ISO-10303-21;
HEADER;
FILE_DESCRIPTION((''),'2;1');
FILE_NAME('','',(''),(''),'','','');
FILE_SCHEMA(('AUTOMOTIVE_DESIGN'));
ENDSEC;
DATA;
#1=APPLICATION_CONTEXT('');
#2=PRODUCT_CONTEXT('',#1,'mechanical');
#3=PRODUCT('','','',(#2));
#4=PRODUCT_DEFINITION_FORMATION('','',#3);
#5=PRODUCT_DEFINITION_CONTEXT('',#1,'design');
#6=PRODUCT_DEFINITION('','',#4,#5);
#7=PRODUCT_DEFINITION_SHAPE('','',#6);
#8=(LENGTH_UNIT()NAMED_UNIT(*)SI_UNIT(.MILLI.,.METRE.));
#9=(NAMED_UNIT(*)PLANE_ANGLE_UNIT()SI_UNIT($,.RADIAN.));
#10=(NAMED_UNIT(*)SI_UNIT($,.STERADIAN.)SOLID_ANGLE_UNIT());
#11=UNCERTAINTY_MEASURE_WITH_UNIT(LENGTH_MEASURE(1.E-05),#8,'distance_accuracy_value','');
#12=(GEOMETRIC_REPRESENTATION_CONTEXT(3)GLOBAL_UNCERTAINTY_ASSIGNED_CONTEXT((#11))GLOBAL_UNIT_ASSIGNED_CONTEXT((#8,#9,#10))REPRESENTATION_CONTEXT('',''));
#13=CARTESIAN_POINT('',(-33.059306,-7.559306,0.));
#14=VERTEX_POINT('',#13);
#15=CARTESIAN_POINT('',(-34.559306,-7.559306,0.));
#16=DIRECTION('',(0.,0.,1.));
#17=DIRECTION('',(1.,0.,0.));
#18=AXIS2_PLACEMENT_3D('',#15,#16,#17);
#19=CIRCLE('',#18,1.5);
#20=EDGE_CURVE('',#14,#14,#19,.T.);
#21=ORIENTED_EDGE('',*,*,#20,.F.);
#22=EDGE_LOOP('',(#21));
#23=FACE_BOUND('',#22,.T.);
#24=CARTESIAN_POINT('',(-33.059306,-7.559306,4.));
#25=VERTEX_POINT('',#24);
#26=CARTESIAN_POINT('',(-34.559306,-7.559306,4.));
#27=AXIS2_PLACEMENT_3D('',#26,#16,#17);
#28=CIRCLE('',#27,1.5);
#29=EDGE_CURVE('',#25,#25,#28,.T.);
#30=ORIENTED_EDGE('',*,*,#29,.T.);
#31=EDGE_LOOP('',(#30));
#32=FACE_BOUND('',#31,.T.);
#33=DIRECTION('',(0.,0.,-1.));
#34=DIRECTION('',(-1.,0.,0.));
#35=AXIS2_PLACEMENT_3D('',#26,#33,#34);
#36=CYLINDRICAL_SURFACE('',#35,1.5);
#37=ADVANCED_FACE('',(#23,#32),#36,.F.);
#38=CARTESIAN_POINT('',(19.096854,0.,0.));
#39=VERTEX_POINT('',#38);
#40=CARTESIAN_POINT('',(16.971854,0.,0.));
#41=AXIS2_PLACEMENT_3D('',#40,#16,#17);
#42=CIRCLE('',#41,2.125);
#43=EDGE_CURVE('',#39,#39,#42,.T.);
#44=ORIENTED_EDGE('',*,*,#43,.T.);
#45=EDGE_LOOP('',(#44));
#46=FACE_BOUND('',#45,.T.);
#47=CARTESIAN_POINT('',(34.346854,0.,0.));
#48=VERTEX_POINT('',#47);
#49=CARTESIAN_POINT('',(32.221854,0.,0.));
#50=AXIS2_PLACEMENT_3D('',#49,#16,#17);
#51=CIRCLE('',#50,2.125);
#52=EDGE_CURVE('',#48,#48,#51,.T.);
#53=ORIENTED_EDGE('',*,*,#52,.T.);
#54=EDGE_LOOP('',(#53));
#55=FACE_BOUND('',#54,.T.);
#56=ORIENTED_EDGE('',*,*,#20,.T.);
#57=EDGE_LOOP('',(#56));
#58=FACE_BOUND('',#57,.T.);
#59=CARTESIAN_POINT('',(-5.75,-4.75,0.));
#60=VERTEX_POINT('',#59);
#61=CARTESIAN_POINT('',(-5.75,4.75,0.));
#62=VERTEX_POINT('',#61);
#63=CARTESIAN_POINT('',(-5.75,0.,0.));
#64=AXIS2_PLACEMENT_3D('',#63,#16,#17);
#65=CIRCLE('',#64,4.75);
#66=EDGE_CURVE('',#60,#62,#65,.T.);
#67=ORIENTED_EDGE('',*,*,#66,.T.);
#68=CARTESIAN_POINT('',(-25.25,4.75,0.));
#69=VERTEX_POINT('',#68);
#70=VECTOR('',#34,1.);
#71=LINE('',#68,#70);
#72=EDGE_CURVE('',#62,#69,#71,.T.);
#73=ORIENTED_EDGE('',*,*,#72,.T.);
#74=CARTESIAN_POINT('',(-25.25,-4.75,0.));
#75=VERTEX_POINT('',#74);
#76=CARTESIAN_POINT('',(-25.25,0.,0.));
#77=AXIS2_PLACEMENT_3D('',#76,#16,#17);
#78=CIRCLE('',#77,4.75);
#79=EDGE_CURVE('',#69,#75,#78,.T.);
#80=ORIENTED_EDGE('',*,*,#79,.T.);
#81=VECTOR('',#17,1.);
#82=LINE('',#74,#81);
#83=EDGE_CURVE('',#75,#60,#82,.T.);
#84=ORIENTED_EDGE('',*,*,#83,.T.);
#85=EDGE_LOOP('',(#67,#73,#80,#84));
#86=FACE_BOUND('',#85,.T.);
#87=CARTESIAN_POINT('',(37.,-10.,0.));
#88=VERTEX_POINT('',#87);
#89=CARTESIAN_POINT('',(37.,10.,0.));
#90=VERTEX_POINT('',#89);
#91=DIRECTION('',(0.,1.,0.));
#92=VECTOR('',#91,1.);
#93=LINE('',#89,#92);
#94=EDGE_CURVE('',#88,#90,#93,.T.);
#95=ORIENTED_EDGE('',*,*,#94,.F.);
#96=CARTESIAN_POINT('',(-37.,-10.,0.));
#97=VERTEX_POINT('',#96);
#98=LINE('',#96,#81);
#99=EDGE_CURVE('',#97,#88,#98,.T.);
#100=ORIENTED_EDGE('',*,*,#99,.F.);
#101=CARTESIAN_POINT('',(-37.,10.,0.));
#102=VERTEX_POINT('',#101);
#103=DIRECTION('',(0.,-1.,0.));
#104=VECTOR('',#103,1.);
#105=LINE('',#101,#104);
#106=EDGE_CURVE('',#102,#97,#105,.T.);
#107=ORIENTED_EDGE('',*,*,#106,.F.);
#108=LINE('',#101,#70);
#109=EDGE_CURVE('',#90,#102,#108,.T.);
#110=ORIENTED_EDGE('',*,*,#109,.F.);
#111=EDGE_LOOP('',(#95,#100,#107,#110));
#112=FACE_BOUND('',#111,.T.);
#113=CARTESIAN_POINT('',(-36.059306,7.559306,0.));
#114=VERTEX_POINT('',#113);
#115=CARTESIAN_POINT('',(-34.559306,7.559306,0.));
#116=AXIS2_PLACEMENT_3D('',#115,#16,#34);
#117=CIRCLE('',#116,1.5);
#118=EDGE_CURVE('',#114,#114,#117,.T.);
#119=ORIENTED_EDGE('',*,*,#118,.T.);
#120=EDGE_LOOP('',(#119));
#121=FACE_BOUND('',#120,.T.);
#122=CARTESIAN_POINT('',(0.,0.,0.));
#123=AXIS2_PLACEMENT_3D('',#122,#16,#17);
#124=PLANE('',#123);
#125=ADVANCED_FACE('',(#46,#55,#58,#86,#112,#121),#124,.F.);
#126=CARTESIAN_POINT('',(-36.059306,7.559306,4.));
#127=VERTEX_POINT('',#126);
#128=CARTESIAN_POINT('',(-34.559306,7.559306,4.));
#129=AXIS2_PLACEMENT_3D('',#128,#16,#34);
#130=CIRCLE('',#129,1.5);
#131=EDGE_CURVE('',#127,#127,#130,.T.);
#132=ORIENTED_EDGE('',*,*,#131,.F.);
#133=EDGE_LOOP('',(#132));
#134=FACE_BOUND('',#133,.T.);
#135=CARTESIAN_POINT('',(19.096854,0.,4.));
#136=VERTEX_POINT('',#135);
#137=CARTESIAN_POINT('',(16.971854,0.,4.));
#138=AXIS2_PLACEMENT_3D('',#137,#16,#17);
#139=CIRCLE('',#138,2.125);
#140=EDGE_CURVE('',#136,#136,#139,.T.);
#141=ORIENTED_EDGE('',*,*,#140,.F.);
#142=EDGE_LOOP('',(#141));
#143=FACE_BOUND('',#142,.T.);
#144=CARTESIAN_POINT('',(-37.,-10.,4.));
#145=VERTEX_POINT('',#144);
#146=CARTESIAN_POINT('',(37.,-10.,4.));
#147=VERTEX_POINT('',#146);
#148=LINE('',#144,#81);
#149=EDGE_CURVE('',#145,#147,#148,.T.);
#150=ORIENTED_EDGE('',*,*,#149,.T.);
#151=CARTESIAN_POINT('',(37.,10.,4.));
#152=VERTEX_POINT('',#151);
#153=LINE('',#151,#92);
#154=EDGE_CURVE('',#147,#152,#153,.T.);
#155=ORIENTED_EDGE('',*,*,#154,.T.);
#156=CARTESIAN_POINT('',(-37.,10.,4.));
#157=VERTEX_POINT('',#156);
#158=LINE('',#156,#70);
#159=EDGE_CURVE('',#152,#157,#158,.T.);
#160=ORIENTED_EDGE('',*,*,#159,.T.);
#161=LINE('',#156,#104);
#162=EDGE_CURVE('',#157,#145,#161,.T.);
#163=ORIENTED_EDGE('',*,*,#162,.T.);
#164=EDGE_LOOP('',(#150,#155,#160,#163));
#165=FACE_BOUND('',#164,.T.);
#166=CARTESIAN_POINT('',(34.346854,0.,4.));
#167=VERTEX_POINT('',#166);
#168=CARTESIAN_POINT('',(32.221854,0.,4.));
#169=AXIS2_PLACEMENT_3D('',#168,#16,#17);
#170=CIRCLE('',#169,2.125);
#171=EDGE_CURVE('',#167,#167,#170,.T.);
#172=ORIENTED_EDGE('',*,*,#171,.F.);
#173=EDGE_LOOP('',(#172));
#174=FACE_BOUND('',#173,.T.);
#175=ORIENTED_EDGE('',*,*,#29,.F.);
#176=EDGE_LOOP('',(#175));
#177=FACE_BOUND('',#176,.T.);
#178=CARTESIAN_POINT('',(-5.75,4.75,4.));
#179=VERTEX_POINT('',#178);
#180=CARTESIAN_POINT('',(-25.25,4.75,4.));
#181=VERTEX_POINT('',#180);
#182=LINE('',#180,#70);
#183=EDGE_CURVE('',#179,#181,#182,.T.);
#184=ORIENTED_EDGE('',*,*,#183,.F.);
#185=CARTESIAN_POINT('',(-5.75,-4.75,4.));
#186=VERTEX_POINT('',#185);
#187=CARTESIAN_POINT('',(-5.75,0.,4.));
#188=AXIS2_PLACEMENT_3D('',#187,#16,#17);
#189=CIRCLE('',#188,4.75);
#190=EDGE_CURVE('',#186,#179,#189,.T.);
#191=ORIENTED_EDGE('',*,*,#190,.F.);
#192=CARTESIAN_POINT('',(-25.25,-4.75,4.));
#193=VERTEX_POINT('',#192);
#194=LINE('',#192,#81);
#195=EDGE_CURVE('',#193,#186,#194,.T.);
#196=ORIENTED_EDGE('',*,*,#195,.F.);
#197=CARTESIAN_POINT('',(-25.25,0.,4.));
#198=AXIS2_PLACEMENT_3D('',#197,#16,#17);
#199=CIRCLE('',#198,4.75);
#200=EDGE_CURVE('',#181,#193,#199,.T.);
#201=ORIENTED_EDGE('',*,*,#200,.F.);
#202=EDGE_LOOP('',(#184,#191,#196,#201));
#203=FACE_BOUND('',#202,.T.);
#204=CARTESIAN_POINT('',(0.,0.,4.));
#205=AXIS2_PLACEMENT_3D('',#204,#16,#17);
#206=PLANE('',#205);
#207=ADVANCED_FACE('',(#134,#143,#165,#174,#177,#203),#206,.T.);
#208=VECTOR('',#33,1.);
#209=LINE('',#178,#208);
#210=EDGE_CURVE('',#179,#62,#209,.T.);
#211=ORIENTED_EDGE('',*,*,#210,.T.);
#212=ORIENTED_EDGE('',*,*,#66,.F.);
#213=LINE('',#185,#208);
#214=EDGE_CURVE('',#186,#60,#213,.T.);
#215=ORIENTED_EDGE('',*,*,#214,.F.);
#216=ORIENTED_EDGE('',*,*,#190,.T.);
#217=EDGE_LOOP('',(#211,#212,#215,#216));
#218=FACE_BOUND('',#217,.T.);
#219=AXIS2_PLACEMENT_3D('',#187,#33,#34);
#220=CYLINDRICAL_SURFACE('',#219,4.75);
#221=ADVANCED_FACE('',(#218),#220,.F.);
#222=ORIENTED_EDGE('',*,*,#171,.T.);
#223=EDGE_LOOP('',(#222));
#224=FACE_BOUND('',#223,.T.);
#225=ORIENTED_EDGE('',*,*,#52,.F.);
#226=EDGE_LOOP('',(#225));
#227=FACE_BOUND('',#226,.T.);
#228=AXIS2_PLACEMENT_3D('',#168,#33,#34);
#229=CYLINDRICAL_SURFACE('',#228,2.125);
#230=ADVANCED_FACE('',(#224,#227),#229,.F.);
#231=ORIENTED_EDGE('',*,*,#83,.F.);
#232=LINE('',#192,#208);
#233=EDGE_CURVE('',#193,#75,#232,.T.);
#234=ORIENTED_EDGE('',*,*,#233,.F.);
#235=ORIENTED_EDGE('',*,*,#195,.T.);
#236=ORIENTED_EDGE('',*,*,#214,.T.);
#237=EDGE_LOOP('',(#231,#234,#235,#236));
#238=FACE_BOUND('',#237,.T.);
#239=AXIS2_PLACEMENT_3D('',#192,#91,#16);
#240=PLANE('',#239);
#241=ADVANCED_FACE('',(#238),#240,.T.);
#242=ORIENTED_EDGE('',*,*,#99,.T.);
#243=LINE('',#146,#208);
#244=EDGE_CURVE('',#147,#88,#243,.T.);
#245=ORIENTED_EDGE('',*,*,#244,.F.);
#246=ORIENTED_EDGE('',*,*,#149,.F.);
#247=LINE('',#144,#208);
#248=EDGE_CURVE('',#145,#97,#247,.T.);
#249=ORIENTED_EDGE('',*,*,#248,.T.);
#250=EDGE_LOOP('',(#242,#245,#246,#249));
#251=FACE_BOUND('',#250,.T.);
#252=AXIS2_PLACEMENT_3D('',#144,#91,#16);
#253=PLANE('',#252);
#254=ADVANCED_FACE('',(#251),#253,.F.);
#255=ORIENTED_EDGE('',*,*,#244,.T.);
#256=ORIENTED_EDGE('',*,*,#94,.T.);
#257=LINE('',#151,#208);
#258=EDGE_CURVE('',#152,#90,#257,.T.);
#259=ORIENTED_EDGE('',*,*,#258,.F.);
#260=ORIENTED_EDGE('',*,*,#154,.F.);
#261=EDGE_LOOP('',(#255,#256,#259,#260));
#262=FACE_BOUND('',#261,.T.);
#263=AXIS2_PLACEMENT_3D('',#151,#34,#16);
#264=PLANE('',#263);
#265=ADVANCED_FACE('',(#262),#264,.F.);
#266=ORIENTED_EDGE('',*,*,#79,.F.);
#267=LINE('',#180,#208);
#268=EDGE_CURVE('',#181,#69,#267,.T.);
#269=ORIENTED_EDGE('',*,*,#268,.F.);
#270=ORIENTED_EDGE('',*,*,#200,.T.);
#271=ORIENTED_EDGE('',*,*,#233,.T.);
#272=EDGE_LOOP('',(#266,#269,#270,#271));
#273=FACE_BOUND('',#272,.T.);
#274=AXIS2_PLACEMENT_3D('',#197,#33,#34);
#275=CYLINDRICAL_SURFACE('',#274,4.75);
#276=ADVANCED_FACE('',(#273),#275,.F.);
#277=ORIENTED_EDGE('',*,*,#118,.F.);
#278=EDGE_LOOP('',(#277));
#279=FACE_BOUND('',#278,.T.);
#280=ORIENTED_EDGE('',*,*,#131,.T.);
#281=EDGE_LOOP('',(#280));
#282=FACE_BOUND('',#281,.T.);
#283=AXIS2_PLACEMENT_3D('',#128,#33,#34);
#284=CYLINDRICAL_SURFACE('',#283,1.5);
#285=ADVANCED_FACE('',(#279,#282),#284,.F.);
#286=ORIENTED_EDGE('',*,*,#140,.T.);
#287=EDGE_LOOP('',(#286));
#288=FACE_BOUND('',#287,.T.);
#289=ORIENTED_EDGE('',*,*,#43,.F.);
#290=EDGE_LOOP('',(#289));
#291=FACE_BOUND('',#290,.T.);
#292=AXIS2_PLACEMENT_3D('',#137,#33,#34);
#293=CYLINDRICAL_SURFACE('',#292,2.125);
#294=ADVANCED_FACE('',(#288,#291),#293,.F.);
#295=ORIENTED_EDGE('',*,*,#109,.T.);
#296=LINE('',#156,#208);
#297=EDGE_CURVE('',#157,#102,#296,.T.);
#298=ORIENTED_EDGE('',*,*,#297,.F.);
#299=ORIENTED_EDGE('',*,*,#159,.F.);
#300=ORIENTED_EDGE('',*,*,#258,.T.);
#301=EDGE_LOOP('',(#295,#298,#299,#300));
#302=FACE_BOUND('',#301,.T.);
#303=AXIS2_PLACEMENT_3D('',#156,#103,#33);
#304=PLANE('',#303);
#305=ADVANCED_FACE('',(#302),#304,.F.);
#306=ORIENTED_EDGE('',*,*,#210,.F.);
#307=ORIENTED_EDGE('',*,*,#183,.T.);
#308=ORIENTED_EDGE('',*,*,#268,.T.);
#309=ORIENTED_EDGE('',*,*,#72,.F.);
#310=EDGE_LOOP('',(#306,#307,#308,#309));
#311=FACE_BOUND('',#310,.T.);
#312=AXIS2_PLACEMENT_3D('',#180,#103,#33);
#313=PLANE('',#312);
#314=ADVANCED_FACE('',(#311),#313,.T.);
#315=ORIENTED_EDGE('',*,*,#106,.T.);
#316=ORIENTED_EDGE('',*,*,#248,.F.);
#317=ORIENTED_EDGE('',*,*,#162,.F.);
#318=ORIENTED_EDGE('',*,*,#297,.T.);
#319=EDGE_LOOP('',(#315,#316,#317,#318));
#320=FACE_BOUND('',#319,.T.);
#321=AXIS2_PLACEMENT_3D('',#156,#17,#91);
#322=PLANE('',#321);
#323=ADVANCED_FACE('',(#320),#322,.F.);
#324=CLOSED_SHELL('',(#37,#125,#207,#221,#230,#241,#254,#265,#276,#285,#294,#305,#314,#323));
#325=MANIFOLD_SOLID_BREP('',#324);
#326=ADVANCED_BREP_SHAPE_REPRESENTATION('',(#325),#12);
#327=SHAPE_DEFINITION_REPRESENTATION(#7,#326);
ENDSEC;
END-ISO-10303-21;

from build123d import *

# Parameters (mm, degrees)
SKETCH1_W           = 74
SKETCH1_H           = 20
SKETCH1_R           = 2.125
SKETCH1_R_2         = 1.5
BOSS_EXTRUDE1_DEPTH = 4


with BuildPart() as part:
    # Sketch1 → Boss-Extrude1 (new body)
    with BuildSketch(Plane.XY):
        Rectangle(SKETCH1_W, SKETCH1_H)
        with Locations((32.221854305, 0)):
            Circle(SKETCH1_R, mode=Mode.SUBTRACT)
        with Locations((16.971854305, 0)):
            Circle(SKETCH1_R, mode=Mode.SUBTRACT)
        with Locations((-34.559305938, -7.559305938)):
            Circle(SKETCH1_R_2, mode=Mode.SUBTRACT)
        with Locations(Location((-34.559305938, 7.559305938, 0), (0, 0, 180))):
            Circle(SKETCH1_R_2, mode=Mode.SUBTRACT)
        with BuildLine():
            Line((-25.25, 4.75), (-5.75, 4.75))
            ThreePointArc((-5.75, 4.75), (-1, 0), (-5.75, -4.75))
            Line((-5.75, -4.75), (-25.25, -4.75))
            ThreePointArc((-25.25, -4.75), (-30, 0), (-25.25, 4.75))
        make_face(mode=Mode.SUBTRACT)
    extrude(amount=BOSS_EXTRUDE1_DEPTH)


solid = part.part
